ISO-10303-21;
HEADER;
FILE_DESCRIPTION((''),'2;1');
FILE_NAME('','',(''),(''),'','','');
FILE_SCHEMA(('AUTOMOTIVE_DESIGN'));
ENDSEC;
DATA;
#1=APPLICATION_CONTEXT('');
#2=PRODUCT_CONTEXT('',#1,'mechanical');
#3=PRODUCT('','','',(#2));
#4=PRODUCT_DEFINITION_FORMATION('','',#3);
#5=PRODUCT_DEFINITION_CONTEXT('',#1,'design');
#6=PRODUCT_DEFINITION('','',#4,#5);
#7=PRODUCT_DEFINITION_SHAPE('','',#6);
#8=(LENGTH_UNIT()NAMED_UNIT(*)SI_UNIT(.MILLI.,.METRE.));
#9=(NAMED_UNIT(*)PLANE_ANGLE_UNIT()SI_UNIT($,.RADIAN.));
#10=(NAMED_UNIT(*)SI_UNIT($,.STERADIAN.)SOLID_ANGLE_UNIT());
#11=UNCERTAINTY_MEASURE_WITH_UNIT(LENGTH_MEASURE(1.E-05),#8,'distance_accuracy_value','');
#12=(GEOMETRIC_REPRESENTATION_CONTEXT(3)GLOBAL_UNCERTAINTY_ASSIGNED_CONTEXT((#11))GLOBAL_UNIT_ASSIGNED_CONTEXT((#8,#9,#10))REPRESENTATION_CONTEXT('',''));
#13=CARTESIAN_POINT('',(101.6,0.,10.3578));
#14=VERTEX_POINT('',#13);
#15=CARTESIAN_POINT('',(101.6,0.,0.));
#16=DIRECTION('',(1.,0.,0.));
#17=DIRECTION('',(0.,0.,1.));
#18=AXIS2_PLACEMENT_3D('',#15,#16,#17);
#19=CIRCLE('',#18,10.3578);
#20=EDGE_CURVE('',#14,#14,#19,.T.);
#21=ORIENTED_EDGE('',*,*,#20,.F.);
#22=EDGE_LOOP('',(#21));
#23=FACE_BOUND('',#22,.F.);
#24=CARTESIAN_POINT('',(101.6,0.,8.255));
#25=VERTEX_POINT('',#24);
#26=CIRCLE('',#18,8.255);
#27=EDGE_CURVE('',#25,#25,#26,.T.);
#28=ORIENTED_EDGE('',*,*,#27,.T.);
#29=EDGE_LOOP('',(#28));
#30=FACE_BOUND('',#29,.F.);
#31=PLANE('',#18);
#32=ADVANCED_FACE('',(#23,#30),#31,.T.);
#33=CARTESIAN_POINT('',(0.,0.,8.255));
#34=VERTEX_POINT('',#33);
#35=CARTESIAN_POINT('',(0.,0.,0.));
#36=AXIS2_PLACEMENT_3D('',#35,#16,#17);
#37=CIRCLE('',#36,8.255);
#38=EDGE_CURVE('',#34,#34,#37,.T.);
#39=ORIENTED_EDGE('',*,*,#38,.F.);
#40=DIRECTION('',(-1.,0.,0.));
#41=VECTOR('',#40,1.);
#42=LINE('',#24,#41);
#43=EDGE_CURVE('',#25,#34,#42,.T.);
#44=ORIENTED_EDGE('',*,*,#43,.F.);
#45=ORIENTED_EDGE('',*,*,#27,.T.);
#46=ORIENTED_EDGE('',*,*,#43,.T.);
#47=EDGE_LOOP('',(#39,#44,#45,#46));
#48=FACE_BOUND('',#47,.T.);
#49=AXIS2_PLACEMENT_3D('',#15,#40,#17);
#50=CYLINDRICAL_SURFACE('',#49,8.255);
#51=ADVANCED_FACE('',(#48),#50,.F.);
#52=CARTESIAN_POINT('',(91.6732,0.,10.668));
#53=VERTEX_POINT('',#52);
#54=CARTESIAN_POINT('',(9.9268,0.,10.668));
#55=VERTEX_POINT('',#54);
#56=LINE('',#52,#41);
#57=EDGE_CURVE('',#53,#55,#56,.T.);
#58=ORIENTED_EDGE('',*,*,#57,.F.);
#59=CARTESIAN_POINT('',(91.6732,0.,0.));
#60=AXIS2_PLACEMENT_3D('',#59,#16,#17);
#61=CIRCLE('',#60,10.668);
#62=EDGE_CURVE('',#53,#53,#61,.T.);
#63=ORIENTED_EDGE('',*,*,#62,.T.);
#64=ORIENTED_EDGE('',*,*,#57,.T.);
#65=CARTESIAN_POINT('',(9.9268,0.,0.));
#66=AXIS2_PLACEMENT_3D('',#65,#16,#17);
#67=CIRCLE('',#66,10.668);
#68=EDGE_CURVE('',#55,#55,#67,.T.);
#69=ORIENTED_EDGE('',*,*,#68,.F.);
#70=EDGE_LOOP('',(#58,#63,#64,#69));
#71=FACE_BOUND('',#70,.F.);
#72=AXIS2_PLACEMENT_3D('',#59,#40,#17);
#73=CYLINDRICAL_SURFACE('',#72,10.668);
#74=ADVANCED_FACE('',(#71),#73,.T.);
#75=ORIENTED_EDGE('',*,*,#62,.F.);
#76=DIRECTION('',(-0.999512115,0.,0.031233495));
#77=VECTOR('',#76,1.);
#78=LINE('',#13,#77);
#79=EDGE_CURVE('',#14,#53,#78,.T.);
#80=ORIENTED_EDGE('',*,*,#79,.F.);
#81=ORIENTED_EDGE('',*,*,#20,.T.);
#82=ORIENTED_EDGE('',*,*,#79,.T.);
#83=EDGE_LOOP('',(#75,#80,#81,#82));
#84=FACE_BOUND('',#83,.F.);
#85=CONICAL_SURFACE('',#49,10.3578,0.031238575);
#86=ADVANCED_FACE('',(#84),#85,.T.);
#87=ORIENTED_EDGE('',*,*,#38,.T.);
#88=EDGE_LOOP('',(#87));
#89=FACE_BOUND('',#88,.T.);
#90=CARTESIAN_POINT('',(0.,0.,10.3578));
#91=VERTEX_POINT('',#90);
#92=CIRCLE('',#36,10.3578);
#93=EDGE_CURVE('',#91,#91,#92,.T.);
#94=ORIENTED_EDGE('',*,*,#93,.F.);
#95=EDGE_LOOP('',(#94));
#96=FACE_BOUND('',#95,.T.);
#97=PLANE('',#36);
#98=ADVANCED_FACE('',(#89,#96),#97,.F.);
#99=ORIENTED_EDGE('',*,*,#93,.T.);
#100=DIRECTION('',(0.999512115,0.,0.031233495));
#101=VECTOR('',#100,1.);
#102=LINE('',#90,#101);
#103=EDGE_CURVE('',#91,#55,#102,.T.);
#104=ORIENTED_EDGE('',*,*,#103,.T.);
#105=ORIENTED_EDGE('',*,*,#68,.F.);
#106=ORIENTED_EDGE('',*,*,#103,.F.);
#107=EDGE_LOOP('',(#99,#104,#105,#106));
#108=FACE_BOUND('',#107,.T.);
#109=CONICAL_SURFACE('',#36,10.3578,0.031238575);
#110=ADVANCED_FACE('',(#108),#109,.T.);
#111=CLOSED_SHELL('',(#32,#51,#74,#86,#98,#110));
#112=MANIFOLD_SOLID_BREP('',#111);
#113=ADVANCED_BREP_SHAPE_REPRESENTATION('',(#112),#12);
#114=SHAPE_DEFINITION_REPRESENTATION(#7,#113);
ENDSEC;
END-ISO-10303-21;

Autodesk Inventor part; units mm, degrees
ref_plane "YZ Plane" through (0, 0, 0) normal (1, 0, 0) x (0, 1, 0)
ref_plane "XZ Plane" through (0, 0, 0) normal (0, 1, 0) x (-1, 0, 0)
ref_plane "XY Plane" through (0, 0, 0) normal (0, 0, 1) x (1, 0, 0)
sketch "Sketch1" plane through (0, 0, 0) normal (0, 1, 0) x (-1, 0, 0)
  line L0 (0, 0) -> (-101.6, 0)
  line L1 (-101.6, 0) -> (-101.6, 8.255) construction
  line L2 (-101.6, 8.255) -> (-101.6, 10.3578)
  line L3 (-101.6, 10.3578) -> (-91.6732, 10.668)
  line L4 (-91.6732, 10.668) -> (-9.9268, 10.668)
  line L5 (-50.8, 0) -> (-50.8, 10.668) construction
  line L6 (-101.6, 8.255) -> (0, 8.255)
  line L7 (0, 0) -> (0, 8.255) construction
  line L8 (0, 8.255) -> (0, 10.3578)
  line L9 (0, 10.3578) -> (-9.9268, 10.668)
  line L10 (-88.044, 10.7814) -> (-88.044, 0) construction
  line L11 (-13.556, 10.7814) -> (-13.556, 0) construction
  line L12 (-91.6732, 10.668) -> (-88.044, 10.7814) construction
  line L13 (-91.6732, 10.668) -> (-91.6732, 0) construction
  line L14 (-9.9268, 10.668) -> (-13.556, 10.7814) construction
  line L15 (-9.9268, 10.668) -> (-9.9268, 0) construction
  dimension "d0" = 21.336
  dimension "d1" = 1.79
  dimension "d2" = 16.51
  dimension "d3" = 101.6
  dimension "d4" = 13.556
  dimension "d5" = 21.5628
revolve "Revolution1" add sketch "Sketch1" angle 360 about axis through (0, 0, 0) along (1, 0, 0)
thread "Thread1" size "1/2" designation "1/2 - 14 NPT" standard "NPT" full length
thread "Thread2" size "1/2" designation "1/2 - 14 NPT" standard "NPT" full length
equation "\"d0\" = OD"
equation "\"d2\" = ID"
equation "\"d3\" = L"
equation "\"d4\" = L2"
equation "\"d5\" = D2"
equation "\"OD\" = 21.336"
equation "\"t\" = 2.413"
equation "\"L\" = PL"
equation "\"L4\" = 19.8501"
equation "\"ID\" = 16.51"
equation "\"PL\" = 101.6"
equation "\"D2\" = 21.56282"
equation "\"L2\" = 13.55598"
equation "\"Size_Designation\" = 1.2345"
equation "\"PLmin\" = 2 * L2"
properties material "Steel, Wrought"
